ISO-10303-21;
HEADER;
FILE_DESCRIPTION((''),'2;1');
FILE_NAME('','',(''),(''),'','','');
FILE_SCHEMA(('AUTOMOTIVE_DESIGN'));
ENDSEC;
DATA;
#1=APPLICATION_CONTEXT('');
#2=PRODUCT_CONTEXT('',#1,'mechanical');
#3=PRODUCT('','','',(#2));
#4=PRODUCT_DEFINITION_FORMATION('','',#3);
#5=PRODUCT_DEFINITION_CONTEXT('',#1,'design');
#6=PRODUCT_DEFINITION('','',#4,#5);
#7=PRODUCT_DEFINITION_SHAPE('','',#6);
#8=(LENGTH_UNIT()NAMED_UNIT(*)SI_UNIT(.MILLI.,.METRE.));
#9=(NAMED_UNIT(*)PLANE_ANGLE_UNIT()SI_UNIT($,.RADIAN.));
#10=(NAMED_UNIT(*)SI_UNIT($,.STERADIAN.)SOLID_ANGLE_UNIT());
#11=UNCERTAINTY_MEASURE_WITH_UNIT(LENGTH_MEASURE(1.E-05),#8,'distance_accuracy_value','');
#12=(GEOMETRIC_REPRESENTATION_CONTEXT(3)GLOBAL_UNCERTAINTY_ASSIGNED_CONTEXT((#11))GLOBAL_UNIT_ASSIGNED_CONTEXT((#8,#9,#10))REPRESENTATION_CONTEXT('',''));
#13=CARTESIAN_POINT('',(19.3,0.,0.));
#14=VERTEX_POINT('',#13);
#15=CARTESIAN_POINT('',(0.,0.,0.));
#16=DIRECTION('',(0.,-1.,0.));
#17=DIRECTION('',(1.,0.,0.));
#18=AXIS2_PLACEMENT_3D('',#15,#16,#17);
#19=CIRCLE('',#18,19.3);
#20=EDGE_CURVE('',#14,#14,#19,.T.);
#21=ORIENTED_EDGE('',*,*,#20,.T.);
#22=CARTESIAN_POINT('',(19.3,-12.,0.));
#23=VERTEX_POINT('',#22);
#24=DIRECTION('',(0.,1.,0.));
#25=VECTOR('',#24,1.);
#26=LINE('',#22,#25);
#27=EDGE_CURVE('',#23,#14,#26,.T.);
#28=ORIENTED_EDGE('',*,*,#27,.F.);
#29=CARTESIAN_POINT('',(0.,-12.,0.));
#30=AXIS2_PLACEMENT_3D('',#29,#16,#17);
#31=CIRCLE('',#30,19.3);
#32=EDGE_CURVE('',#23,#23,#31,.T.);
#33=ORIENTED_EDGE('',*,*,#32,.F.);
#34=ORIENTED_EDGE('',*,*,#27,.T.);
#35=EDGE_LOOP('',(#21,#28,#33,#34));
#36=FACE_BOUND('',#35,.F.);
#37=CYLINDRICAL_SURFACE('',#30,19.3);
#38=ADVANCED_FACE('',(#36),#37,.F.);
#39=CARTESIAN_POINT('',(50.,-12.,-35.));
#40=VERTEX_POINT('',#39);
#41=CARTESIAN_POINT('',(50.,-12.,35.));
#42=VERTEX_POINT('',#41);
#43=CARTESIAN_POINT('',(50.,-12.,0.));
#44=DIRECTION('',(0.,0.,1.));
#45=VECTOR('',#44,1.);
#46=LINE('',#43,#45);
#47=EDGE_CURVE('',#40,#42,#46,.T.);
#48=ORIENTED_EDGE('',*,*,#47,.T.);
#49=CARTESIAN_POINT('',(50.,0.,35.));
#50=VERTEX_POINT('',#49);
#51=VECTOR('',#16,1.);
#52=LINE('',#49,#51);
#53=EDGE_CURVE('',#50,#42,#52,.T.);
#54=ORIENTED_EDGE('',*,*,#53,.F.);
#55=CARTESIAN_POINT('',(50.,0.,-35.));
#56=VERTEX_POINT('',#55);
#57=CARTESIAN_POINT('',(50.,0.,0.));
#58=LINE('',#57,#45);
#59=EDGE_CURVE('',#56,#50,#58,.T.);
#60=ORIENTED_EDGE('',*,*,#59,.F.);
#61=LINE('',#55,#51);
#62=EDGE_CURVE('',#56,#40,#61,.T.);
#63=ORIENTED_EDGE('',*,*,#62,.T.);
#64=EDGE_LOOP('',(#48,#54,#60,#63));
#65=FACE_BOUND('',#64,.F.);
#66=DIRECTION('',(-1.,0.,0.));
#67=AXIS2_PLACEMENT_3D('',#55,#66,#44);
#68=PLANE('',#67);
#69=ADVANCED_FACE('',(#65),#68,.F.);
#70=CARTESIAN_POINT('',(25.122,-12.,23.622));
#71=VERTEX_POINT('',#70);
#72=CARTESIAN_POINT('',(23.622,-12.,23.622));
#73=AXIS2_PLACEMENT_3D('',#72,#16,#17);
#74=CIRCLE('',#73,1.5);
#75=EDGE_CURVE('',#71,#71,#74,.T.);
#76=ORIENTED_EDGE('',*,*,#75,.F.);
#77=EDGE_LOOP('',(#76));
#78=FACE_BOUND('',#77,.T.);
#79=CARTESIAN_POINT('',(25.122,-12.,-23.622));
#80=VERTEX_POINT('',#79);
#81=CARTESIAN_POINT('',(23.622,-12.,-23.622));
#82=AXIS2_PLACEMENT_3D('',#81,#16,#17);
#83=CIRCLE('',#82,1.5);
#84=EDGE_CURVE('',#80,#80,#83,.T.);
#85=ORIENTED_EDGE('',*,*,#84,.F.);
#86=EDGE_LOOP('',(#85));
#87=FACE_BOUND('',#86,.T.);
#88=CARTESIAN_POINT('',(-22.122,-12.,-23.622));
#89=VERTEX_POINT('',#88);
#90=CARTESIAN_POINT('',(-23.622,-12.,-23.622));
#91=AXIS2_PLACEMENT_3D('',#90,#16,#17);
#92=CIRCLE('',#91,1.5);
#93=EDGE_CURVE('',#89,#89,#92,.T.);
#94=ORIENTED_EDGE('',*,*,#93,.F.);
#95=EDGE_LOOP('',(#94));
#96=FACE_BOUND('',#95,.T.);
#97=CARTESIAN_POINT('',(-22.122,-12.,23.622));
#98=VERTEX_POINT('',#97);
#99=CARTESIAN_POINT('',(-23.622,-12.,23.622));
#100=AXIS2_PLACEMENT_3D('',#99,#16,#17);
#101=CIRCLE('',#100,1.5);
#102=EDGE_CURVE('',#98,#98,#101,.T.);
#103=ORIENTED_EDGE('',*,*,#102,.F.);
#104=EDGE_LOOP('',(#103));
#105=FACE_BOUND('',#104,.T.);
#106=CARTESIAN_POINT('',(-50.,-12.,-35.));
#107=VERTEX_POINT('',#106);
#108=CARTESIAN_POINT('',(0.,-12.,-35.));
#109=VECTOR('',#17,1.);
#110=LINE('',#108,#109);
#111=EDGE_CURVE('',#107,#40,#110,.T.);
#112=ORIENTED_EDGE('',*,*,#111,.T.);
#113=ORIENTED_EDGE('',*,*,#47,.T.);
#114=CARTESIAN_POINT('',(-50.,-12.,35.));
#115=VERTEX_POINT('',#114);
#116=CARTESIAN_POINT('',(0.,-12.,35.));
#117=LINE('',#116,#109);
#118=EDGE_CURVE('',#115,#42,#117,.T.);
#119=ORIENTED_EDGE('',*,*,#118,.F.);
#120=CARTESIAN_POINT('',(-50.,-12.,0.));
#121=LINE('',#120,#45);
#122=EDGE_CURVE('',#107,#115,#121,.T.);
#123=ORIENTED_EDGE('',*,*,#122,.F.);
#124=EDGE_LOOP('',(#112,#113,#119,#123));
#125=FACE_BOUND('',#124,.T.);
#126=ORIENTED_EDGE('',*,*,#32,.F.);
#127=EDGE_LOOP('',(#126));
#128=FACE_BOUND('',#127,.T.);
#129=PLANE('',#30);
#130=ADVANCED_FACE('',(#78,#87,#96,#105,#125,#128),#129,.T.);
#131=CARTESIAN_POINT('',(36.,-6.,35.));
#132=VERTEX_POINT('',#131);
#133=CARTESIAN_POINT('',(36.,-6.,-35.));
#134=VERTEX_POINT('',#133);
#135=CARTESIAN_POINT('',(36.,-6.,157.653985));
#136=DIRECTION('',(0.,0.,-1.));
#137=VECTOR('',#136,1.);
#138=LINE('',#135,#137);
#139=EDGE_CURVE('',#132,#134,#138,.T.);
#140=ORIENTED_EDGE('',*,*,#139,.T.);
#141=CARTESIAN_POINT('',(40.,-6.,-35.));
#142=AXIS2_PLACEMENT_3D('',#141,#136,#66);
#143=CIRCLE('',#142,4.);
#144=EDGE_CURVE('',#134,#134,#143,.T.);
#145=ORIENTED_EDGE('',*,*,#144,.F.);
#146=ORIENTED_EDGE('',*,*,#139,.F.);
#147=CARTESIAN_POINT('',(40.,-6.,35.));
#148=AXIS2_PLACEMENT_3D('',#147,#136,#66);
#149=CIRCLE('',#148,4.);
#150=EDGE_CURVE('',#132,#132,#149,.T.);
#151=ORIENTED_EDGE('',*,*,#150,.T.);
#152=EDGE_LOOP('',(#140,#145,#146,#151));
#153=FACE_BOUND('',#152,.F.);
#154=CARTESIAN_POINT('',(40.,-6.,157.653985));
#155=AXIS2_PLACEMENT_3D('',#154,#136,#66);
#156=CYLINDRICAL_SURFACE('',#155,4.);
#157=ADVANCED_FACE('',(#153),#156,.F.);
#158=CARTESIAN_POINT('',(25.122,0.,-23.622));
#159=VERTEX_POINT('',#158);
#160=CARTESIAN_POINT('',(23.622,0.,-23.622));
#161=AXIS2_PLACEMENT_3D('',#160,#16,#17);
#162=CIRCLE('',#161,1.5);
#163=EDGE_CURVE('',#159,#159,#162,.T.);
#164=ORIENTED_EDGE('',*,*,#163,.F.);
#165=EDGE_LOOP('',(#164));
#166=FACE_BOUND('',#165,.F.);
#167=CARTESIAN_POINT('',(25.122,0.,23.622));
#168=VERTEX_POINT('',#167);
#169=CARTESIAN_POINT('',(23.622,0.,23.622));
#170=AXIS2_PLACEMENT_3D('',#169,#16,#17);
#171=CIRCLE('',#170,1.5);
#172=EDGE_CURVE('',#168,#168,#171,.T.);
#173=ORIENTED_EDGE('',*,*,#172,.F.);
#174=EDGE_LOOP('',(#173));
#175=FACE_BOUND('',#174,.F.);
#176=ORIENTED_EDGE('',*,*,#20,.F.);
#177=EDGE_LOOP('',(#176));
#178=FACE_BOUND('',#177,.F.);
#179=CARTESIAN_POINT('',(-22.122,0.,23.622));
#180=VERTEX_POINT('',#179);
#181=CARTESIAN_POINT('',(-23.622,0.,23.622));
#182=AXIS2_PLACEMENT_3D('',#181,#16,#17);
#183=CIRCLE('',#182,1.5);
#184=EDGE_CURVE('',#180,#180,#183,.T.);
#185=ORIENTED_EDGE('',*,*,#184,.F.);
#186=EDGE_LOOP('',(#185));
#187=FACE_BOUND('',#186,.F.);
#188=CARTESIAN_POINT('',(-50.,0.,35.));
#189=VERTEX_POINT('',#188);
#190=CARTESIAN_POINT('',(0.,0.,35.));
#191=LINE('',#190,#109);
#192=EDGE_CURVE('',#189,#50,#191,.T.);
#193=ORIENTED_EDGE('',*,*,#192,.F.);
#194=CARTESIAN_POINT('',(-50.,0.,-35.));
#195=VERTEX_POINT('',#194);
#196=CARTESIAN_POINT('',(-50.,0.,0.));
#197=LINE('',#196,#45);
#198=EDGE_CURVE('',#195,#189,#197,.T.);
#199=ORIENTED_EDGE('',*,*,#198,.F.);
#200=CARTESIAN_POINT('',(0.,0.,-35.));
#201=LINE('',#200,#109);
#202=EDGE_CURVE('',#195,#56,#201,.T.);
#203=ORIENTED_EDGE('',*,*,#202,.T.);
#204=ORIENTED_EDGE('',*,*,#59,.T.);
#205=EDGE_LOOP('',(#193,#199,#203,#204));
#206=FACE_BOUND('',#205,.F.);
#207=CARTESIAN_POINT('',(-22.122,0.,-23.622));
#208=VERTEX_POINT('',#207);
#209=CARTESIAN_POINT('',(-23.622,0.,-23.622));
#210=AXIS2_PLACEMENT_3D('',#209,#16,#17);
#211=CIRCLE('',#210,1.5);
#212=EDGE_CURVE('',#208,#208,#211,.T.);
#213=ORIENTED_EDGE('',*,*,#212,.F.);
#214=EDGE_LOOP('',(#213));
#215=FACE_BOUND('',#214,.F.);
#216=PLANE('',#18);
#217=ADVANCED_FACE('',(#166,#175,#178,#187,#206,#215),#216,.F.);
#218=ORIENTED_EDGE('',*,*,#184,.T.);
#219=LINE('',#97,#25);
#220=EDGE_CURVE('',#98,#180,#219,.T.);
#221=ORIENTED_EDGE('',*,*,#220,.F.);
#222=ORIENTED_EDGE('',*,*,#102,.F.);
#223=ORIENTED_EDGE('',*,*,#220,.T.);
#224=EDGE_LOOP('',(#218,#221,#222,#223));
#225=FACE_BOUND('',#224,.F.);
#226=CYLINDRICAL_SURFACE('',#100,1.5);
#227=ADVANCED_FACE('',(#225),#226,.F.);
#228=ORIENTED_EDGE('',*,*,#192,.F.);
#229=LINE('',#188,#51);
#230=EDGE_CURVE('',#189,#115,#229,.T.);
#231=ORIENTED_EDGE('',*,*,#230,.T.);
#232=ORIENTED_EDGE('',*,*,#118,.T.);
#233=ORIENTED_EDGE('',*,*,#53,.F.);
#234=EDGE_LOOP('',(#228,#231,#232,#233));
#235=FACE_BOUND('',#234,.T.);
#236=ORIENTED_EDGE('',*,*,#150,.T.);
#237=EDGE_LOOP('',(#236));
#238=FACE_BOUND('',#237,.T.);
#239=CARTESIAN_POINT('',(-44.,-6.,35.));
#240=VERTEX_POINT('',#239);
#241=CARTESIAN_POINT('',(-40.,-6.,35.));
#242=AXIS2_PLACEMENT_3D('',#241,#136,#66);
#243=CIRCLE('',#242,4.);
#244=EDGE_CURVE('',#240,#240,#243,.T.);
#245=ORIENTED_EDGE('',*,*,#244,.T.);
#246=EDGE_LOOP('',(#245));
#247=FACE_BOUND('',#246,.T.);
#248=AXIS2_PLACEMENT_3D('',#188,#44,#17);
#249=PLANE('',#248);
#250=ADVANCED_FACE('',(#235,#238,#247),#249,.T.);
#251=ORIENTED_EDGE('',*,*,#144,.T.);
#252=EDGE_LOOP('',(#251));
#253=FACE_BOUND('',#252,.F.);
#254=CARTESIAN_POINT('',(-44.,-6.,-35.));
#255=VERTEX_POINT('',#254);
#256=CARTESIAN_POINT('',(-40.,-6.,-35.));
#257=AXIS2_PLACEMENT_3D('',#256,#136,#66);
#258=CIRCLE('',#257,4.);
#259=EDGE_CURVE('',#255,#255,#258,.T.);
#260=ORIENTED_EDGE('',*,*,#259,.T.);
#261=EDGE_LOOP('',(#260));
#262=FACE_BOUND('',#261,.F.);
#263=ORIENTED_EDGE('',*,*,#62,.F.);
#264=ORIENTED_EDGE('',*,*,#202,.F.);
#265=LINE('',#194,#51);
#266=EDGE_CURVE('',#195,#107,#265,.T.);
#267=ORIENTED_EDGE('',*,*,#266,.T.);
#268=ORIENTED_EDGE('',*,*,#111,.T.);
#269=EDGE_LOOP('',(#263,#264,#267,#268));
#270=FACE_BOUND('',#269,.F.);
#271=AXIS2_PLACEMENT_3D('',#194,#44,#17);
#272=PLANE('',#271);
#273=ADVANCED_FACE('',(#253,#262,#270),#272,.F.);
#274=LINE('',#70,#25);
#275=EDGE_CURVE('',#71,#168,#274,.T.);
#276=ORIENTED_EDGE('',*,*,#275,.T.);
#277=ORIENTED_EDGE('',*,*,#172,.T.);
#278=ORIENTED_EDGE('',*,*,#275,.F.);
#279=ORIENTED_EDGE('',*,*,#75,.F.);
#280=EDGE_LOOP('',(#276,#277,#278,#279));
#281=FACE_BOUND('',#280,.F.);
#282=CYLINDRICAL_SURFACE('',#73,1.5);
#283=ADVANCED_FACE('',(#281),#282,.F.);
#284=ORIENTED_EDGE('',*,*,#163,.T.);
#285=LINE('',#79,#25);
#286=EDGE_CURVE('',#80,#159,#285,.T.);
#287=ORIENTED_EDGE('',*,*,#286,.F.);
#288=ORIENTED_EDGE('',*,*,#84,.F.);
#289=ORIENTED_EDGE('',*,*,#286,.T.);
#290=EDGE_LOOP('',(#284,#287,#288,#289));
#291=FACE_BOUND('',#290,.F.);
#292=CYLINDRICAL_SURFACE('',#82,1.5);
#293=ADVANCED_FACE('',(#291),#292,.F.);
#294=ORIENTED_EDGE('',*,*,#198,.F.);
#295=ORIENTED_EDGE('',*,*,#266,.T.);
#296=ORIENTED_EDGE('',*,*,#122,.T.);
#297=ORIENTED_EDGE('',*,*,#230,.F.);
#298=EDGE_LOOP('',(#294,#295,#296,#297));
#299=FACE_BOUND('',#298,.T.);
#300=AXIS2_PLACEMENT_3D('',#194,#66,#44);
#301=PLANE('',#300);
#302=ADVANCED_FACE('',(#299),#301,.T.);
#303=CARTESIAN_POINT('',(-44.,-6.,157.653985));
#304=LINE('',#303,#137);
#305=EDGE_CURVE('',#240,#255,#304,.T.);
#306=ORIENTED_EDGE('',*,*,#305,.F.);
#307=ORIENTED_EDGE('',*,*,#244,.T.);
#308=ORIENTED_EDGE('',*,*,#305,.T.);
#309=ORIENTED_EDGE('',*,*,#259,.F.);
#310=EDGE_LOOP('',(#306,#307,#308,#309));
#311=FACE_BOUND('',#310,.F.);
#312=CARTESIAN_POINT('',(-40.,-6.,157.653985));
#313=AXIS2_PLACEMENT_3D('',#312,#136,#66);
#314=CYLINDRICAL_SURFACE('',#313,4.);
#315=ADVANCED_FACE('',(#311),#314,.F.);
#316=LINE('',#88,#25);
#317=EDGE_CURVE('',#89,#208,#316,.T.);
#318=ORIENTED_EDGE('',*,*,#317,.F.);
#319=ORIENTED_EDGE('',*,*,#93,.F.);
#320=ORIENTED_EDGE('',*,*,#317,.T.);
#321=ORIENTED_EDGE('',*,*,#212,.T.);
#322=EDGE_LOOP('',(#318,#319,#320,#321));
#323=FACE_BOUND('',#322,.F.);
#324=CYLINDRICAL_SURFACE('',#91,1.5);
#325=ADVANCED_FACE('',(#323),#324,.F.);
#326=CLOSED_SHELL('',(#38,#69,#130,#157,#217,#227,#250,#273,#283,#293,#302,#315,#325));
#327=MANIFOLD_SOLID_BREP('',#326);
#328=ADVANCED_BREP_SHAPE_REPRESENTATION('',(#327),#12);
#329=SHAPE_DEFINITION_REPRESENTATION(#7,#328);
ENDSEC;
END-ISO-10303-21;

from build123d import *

# Parameters (mm, degrees)
F0_W     = 100
F0_H     = 70
F1_DEPTH = 12
F2_R     = 19.3
F2_R_2   = 1.5
F3_DEPTH = 12.001
F5_D     = 8


with BuildPart() as f1:
    # F0 (on Front) → F1 (new body)
    with BuildSketch(Plane.XZ):
        Rectangle(F0_W, F0_H)
    extrude(amount=F1_DEPTH)

    # F2 (on face) → F3 (cut, through all)
    with BuildSketch(Plane.XZ.offset(12)):
        Circle(F2_R)
        with Locations((-23.622, 23.622)):
            Circle(F2_R_2)
        with Locations((23.622, 23.622)):
            Circle(F2_R_2)
        with Locations((23.622, -23.622)):
            Circle(F2_R_2)
        with Locations((-23.622, -23.622)):
            Circle(F2_R_2)
    extrude(amount=-F3_DEPTH, mode=Mode.SUBTRACT)

    # F5 (through all)
    with Locations(Plane.XY.offset(35)):
        with Locations((-40, -6), (40, -6)):
            Hole(F5_D / 2)


solid = f1.part
